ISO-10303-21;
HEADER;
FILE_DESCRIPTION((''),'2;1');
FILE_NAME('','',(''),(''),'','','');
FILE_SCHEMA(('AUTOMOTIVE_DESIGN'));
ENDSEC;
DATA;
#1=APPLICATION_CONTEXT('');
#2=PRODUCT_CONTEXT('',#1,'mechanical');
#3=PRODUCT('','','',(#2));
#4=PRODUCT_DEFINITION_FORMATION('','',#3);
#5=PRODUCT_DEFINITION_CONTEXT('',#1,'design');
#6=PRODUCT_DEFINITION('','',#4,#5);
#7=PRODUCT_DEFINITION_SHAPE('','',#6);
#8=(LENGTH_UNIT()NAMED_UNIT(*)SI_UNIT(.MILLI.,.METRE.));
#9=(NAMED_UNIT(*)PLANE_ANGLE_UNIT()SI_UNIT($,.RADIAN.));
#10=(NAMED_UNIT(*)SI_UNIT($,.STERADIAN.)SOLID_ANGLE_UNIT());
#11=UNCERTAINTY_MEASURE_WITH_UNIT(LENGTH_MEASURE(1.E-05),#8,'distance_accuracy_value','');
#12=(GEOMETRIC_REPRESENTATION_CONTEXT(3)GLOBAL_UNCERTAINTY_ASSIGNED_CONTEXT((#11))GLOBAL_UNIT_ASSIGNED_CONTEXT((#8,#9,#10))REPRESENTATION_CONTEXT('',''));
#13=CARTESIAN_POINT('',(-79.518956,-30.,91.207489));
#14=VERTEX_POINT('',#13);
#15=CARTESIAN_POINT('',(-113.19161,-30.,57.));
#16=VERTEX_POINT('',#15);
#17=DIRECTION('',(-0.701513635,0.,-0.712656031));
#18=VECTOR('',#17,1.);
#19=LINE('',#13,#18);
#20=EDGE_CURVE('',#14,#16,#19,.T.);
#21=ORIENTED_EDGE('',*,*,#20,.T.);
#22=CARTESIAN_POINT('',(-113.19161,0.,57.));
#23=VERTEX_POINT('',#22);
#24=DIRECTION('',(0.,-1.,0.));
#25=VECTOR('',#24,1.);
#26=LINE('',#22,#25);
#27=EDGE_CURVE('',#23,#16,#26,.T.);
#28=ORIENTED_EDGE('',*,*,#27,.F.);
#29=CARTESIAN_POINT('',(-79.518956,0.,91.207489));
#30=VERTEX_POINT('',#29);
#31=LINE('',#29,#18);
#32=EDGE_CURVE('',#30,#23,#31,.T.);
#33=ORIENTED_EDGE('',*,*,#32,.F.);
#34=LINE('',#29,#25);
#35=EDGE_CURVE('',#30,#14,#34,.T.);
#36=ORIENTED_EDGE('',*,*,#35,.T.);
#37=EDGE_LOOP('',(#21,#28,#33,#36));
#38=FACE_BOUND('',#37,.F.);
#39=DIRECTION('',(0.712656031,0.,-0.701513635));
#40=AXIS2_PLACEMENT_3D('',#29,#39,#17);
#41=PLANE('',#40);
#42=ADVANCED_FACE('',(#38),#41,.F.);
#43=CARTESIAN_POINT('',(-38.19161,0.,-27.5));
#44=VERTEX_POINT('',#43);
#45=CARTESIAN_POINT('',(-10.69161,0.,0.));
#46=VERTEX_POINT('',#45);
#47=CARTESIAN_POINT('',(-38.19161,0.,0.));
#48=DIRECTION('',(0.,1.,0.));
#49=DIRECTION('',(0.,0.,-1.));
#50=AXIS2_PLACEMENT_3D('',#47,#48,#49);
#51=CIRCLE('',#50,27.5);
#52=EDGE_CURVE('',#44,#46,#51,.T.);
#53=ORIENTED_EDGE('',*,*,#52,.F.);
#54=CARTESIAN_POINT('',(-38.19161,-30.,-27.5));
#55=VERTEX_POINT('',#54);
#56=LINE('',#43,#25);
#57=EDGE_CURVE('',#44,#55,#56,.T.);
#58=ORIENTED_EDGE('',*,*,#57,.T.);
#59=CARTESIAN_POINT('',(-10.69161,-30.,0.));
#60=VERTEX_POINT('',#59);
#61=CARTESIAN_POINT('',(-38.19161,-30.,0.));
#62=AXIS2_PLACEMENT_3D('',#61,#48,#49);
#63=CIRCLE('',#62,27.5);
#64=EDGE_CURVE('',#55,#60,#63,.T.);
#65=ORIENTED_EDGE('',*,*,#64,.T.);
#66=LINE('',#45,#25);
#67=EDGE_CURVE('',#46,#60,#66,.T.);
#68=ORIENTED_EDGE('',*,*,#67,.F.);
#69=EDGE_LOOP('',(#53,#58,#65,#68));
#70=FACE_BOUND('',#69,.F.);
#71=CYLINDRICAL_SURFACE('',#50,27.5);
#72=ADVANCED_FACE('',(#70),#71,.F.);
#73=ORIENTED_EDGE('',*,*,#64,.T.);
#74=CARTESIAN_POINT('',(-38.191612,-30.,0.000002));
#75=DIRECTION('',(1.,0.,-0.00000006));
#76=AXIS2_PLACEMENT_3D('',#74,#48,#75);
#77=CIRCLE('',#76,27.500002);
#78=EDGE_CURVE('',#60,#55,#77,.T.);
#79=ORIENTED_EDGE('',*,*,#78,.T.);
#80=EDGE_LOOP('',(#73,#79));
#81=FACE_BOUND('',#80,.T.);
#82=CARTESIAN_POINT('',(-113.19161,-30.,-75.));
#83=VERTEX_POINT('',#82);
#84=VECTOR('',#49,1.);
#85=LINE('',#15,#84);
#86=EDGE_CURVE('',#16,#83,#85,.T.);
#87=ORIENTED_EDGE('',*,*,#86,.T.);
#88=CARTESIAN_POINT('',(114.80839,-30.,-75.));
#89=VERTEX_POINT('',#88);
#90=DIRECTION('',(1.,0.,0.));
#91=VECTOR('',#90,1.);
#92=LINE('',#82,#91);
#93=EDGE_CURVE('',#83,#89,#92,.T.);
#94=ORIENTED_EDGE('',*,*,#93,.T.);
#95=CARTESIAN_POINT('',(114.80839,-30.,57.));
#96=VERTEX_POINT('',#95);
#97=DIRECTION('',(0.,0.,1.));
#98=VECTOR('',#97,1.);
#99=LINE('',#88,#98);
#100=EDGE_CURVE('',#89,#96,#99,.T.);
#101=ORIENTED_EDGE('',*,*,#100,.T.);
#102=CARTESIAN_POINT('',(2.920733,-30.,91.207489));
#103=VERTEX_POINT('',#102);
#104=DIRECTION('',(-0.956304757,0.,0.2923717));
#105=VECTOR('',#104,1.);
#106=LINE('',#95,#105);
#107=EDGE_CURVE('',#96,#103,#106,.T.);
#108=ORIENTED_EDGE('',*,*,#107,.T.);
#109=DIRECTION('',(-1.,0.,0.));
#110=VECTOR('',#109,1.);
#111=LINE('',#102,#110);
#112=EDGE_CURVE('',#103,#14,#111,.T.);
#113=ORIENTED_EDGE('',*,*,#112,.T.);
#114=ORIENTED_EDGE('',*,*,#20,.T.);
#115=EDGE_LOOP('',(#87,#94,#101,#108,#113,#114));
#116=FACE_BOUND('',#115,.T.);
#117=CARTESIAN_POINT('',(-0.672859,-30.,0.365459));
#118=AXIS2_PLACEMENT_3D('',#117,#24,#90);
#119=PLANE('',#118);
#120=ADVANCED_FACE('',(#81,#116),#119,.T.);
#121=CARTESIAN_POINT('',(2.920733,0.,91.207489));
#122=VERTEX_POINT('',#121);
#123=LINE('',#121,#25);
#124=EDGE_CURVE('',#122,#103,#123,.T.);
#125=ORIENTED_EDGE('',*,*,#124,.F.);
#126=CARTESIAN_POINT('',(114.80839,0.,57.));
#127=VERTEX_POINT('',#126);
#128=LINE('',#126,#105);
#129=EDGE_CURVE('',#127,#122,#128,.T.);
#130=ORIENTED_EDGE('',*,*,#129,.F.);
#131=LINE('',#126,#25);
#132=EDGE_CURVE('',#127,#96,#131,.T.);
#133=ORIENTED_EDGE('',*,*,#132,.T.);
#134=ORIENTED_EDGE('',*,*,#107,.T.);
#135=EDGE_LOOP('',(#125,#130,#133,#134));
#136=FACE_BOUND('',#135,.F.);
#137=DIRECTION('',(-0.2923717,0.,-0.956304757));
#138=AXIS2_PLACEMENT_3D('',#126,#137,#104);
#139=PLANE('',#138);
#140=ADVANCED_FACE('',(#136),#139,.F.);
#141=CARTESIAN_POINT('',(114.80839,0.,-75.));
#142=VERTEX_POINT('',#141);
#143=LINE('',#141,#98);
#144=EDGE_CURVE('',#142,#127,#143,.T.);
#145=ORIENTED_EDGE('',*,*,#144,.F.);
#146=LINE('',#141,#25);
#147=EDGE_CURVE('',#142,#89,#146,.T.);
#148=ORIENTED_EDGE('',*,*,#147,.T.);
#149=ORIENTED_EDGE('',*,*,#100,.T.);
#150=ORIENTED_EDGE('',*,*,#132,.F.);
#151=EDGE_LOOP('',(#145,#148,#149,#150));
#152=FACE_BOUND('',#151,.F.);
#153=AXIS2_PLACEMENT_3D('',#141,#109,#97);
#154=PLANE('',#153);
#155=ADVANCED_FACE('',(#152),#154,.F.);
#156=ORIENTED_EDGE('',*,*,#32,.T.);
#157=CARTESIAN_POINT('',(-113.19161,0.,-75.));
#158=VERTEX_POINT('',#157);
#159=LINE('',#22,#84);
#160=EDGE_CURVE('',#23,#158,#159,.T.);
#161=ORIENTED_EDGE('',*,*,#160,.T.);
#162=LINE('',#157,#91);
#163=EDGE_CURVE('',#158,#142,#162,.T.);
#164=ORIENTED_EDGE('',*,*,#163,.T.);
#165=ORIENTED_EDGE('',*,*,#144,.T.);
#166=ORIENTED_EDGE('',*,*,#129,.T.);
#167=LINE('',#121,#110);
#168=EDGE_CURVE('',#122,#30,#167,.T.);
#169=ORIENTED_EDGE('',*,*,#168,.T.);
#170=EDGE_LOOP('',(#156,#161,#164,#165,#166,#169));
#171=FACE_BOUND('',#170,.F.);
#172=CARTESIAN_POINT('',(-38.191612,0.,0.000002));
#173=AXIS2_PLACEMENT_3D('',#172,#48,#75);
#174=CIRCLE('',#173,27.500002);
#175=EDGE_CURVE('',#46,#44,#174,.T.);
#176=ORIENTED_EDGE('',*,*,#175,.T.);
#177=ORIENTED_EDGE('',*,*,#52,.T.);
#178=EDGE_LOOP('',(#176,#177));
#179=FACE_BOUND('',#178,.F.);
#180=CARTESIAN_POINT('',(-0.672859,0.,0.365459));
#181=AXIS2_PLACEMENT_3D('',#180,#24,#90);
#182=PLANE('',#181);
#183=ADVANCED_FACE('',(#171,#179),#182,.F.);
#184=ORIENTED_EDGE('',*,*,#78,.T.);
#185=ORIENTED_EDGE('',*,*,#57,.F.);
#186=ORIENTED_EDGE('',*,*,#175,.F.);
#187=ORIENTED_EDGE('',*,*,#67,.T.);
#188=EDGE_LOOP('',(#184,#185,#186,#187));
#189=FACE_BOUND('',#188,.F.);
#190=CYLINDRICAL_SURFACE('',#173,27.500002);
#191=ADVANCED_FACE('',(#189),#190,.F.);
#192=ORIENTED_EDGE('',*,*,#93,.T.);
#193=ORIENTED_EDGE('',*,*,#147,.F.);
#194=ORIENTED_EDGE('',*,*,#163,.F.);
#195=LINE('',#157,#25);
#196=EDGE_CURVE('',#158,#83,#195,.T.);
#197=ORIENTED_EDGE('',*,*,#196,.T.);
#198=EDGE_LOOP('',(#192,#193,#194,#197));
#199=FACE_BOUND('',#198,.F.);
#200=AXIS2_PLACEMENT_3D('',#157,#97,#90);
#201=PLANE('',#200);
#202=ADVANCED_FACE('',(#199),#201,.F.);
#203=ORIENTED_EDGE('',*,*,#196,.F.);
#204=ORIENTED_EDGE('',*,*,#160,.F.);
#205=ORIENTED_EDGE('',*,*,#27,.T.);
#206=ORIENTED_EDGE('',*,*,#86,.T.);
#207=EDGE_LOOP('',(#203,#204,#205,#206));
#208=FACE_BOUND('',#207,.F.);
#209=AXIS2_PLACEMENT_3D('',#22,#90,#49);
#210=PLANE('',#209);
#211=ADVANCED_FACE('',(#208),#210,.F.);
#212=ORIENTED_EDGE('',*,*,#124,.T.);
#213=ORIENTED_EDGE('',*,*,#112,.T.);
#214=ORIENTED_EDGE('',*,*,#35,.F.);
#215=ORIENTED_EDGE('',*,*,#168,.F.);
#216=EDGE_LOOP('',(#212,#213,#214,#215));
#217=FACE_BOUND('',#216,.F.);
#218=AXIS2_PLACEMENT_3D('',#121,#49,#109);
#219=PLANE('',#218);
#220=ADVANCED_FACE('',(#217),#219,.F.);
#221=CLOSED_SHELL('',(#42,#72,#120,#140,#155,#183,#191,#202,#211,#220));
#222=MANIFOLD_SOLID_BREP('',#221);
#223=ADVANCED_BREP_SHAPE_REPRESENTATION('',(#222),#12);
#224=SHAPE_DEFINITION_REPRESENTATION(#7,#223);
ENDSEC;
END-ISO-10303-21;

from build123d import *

# Parameters (mm, degrees)
F1_DEPTH = 30


with BuildPart() as f1:
    # F0 (on Front) → F1 (new body)
    with BuildSketch(Plane.XZ):
        Polygon((-113.19161, -36.827582), (-113.19161, -75), (114.80839, -75), (114.80839, 57), (2.920733, 91.207489), (-79.518956, 91.207489), (-113.19161, 57), align=None)
        with BuildLine():
            ThreePointArc((-10.69161, 0), (-18.746174, -19.445436), (-38.19161, -27.5))
            ThreePointArc((-38.19161, -27.5), (-57.637047, 19.445436), (-10.69161, 0))
        make_face(mode=Mode.SUBTRACT)
    extrude(amount=F1_DEPTH)


solid = f1.part
